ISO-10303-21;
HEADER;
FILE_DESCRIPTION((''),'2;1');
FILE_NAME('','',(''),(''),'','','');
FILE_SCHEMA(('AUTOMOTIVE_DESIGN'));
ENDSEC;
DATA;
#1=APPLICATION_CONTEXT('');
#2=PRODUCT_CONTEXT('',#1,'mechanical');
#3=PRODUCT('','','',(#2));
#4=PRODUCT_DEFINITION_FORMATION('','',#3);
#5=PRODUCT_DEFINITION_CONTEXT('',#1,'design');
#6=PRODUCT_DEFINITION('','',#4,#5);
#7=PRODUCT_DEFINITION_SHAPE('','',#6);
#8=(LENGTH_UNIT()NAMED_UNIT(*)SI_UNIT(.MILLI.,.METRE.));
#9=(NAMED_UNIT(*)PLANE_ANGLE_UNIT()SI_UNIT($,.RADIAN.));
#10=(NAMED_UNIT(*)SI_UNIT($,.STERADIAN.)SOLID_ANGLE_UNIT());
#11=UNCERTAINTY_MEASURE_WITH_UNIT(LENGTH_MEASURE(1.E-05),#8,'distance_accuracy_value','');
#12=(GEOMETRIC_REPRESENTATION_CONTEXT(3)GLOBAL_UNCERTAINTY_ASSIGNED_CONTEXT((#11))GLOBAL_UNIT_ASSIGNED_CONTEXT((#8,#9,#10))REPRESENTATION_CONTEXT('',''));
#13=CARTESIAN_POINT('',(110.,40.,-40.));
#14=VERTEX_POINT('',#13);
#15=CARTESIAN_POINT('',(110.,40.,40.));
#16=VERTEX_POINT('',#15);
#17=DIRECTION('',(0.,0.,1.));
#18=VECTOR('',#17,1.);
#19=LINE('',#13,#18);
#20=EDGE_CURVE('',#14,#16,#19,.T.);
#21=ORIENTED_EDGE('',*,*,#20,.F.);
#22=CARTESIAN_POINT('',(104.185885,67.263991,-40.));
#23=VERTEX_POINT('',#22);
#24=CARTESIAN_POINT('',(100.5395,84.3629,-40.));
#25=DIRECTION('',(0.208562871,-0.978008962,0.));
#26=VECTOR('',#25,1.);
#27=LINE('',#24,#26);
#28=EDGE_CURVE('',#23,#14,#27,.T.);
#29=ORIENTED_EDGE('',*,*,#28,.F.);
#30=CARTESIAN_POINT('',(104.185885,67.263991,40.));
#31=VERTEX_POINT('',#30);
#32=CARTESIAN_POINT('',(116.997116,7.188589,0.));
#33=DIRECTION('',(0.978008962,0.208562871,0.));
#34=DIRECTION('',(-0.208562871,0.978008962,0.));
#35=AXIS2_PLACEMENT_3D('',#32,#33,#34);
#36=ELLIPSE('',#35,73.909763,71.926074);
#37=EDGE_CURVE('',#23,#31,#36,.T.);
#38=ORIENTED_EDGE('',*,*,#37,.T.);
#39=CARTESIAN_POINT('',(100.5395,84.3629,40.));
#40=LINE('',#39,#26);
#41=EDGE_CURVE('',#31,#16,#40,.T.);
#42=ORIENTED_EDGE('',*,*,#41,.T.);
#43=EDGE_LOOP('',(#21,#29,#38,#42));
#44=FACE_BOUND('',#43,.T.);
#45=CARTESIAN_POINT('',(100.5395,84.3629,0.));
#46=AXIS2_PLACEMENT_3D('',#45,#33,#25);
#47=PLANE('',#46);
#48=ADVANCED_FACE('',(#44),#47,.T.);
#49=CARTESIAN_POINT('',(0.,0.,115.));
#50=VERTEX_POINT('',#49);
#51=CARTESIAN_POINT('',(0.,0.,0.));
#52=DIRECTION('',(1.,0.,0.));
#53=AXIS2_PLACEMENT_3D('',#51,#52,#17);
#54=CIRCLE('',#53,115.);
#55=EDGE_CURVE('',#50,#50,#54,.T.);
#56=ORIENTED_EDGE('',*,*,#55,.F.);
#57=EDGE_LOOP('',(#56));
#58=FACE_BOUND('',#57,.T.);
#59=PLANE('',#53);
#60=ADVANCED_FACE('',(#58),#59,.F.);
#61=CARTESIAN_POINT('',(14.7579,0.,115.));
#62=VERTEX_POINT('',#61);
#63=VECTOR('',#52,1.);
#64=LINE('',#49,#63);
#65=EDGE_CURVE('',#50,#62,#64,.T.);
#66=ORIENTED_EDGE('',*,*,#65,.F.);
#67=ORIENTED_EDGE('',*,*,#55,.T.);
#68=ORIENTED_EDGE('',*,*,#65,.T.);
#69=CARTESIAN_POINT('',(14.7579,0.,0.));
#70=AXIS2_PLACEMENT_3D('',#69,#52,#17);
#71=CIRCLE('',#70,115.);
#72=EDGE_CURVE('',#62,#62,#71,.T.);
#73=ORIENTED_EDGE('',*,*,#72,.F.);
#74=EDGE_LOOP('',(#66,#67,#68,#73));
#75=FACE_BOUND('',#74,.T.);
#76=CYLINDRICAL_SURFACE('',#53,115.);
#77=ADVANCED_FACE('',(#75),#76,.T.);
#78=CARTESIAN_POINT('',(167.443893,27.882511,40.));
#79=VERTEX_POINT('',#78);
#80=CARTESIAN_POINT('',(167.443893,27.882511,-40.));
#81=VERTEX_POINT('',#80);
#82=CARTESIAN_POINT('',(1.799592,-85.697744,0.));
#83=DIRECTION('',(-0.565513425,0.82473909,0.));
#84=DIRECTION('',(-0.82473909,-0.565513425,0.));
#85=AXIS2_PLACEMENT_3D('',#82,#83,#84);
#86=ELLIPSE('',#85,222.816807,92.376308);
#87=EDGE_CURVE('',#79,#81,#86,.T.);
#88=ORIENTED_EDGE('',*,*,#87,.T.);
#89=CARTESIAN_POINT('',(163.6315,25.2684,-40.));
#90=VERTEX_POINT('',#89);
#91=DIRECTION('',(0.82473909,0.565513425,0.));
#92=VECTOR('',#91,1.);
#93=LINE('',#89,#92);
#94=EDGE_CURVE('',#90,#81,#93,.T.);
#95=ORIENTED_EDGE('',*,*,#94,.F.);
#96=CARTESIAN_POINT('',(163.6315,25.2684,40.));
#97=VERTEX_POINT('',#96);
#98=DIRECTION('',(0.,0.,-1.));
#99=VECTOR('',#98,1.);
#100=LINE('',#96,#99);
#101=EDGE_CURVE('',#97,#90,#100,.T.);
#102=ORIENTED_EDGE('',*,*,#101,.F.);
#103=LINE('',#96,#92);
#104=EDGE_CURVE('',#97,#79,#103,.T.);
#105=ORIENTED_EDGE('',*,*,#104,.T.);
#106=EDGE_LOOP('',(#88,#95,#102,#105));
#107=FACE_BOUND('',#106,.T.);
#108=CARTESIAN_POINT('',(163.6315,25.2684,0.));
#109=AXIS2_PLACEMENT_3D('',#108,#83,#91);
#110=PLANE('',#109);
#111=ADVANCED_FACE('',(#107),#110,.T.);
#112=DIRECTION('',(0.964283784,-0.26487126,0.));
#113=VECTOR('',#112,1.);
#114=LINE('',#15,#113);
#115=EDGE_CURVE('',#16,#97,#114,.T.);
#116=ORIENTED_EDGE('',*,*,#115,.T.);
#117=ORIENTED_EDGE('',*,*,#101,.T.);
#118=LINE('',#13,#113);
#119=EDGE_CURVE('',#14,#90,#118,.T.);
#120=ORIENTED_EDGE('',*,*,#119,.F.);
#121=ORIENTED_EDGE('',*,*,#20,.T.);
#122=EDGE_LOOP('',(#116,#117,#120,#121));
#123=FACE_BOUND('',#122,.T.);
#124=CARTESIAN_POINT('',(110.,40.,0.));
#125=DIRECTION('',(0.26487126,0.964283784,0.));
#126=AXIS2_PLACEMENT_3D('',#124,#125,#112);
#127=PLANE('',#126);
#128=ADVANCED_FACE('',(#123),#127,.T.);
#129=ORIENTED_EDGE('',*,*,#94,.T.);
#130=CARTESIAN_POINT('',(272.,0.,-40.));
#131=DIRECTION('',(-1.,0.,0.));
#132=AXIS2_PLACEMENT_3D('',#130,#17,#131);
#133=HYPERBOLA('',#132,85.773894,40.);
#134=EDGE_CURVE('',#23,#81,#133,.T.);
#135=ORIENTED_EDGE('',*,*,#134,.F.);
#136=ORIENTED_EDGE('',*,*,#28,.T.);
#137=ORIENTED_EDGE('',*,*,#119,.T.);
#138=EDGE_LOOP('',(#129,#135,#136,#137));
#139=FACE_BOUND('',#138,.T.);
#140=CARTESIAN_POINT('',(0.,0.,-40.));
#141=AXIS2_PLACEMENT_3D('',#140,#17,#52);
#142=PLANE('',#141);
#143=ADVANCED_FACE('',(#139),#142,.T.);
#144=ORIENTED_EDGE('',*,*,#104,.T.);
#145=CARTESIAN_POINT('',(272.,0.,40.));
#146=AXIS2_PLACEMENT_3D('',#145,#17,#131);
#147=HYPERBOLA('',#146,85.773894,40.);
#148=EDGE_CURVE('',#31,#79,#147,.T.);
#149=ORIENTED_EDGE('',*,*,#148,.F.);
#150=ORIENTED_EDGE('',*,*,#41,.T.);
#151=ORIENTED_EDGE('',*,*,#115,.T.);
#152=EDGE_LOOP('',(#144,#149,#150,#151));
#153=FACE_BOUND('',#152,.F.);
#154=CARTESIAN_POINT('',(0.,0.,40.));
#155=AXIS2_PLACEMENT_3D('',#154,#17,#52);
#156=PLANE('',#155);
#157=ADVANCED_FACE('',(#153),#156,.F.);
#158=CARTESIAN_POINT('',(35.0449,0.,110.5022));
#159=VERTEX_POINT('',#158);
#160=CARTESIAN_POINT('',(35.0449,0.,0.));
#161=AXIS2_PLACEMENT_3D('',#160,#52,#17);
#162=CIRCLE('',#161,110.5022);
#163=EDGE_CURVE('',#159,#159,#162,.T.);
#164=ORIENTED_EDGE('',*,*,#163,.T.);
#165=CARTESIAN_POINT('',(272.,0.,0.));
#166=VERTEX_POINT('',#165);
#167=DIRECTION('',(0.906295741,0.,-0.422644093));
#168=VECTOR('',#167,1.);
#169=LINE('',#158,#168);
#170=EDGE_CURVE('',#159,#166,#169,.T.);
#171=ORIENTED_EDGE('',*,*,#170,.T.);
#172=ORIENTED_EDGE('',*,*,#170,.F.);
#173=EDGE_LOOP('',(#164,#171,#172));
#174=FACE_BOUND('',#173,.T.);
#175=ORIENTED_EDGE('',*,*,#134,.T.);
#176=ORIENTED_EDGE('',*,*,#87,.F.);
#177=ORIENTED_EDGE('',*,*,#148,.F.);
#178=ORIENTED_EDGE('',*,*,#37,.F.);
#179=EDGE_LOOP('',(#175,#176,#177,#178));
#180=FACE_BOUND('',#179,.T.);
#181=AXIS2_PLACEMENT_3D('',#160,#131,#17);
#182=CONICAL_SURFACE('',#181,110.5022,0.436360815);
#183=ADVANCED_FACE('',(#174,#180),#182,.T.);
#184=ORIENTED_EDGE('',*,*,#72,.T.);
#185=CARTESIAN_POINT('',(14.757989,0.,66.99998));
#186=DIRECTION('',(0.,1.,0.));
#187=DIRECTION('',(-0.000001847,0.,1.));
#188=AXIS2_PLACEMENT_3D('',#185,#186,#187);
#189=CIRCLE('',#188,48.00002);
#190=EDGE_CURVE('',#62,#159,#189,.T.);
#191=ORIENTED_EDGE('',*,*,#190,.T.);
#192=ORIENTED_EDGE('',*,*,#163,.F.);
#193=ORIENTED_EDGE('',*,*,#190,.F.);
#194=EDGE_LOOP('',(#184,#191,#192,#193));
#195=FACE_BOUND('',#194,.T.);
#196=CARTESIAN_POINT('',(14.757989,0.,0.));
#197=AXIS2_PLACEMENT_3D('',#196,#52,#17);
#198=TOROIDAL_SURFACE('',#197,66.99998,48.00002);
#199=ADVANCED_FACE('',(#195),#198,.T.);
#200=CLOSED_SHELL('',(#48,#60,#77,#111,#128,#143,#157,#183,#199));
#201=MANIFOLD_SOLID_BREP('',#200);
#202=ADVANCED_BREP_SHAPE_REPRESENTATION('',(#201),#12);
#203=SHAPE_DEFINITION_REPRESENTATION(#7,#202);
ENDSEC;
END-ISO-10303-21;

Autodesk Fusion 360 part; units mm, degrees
sketch "Sketch1" plane through (0, 0, 0) normal (0, 1, 0) x (1, 0, 0)
  line L0 (0, 0) -> (272, 0)
  line L1 (0, 0) -> (0, -115)
  line L2 (0, -115) -> (14.7579, -115)
  line L3 (35.0449, -110.5022) -> (272, 0)
  arc A0 (14.7579, -115) -> (35.0449, -110.5022) centre (14.7579, -67) ccw
  point P0 (25.4, -115)
  dimension "d1" = 272
  dimension "d2" = 115
  dimension "d3" = 25.4
  dimension "d4" = 48
revolve "Revolve1" add sketch "Sketch1" angle 360 about axis through (0, 0, 0) along (1, 0, 0)
ref_plane "WorkPlane1" through (0, 0, 0) normal (0, 0, 1) x (1, 0, 0)
sketch "Sketch2" plane through (0, 0, 0) normal (0, 0, 1) x (1, 0, 0)
  line L0 (100.5395, 84.3629) -> (110, 40)
  line L1 (110, 40) -> (163.6315, 25.2684)
  line L2 (163.6315, 25.2684) -> (189.7167, 43.1547)
  line L3 (189.7167, 43.1547) -> (100.5395, 84.3629)
extrude "Extrude1" cut sketch "Sketch2" along normal mid plane 80
